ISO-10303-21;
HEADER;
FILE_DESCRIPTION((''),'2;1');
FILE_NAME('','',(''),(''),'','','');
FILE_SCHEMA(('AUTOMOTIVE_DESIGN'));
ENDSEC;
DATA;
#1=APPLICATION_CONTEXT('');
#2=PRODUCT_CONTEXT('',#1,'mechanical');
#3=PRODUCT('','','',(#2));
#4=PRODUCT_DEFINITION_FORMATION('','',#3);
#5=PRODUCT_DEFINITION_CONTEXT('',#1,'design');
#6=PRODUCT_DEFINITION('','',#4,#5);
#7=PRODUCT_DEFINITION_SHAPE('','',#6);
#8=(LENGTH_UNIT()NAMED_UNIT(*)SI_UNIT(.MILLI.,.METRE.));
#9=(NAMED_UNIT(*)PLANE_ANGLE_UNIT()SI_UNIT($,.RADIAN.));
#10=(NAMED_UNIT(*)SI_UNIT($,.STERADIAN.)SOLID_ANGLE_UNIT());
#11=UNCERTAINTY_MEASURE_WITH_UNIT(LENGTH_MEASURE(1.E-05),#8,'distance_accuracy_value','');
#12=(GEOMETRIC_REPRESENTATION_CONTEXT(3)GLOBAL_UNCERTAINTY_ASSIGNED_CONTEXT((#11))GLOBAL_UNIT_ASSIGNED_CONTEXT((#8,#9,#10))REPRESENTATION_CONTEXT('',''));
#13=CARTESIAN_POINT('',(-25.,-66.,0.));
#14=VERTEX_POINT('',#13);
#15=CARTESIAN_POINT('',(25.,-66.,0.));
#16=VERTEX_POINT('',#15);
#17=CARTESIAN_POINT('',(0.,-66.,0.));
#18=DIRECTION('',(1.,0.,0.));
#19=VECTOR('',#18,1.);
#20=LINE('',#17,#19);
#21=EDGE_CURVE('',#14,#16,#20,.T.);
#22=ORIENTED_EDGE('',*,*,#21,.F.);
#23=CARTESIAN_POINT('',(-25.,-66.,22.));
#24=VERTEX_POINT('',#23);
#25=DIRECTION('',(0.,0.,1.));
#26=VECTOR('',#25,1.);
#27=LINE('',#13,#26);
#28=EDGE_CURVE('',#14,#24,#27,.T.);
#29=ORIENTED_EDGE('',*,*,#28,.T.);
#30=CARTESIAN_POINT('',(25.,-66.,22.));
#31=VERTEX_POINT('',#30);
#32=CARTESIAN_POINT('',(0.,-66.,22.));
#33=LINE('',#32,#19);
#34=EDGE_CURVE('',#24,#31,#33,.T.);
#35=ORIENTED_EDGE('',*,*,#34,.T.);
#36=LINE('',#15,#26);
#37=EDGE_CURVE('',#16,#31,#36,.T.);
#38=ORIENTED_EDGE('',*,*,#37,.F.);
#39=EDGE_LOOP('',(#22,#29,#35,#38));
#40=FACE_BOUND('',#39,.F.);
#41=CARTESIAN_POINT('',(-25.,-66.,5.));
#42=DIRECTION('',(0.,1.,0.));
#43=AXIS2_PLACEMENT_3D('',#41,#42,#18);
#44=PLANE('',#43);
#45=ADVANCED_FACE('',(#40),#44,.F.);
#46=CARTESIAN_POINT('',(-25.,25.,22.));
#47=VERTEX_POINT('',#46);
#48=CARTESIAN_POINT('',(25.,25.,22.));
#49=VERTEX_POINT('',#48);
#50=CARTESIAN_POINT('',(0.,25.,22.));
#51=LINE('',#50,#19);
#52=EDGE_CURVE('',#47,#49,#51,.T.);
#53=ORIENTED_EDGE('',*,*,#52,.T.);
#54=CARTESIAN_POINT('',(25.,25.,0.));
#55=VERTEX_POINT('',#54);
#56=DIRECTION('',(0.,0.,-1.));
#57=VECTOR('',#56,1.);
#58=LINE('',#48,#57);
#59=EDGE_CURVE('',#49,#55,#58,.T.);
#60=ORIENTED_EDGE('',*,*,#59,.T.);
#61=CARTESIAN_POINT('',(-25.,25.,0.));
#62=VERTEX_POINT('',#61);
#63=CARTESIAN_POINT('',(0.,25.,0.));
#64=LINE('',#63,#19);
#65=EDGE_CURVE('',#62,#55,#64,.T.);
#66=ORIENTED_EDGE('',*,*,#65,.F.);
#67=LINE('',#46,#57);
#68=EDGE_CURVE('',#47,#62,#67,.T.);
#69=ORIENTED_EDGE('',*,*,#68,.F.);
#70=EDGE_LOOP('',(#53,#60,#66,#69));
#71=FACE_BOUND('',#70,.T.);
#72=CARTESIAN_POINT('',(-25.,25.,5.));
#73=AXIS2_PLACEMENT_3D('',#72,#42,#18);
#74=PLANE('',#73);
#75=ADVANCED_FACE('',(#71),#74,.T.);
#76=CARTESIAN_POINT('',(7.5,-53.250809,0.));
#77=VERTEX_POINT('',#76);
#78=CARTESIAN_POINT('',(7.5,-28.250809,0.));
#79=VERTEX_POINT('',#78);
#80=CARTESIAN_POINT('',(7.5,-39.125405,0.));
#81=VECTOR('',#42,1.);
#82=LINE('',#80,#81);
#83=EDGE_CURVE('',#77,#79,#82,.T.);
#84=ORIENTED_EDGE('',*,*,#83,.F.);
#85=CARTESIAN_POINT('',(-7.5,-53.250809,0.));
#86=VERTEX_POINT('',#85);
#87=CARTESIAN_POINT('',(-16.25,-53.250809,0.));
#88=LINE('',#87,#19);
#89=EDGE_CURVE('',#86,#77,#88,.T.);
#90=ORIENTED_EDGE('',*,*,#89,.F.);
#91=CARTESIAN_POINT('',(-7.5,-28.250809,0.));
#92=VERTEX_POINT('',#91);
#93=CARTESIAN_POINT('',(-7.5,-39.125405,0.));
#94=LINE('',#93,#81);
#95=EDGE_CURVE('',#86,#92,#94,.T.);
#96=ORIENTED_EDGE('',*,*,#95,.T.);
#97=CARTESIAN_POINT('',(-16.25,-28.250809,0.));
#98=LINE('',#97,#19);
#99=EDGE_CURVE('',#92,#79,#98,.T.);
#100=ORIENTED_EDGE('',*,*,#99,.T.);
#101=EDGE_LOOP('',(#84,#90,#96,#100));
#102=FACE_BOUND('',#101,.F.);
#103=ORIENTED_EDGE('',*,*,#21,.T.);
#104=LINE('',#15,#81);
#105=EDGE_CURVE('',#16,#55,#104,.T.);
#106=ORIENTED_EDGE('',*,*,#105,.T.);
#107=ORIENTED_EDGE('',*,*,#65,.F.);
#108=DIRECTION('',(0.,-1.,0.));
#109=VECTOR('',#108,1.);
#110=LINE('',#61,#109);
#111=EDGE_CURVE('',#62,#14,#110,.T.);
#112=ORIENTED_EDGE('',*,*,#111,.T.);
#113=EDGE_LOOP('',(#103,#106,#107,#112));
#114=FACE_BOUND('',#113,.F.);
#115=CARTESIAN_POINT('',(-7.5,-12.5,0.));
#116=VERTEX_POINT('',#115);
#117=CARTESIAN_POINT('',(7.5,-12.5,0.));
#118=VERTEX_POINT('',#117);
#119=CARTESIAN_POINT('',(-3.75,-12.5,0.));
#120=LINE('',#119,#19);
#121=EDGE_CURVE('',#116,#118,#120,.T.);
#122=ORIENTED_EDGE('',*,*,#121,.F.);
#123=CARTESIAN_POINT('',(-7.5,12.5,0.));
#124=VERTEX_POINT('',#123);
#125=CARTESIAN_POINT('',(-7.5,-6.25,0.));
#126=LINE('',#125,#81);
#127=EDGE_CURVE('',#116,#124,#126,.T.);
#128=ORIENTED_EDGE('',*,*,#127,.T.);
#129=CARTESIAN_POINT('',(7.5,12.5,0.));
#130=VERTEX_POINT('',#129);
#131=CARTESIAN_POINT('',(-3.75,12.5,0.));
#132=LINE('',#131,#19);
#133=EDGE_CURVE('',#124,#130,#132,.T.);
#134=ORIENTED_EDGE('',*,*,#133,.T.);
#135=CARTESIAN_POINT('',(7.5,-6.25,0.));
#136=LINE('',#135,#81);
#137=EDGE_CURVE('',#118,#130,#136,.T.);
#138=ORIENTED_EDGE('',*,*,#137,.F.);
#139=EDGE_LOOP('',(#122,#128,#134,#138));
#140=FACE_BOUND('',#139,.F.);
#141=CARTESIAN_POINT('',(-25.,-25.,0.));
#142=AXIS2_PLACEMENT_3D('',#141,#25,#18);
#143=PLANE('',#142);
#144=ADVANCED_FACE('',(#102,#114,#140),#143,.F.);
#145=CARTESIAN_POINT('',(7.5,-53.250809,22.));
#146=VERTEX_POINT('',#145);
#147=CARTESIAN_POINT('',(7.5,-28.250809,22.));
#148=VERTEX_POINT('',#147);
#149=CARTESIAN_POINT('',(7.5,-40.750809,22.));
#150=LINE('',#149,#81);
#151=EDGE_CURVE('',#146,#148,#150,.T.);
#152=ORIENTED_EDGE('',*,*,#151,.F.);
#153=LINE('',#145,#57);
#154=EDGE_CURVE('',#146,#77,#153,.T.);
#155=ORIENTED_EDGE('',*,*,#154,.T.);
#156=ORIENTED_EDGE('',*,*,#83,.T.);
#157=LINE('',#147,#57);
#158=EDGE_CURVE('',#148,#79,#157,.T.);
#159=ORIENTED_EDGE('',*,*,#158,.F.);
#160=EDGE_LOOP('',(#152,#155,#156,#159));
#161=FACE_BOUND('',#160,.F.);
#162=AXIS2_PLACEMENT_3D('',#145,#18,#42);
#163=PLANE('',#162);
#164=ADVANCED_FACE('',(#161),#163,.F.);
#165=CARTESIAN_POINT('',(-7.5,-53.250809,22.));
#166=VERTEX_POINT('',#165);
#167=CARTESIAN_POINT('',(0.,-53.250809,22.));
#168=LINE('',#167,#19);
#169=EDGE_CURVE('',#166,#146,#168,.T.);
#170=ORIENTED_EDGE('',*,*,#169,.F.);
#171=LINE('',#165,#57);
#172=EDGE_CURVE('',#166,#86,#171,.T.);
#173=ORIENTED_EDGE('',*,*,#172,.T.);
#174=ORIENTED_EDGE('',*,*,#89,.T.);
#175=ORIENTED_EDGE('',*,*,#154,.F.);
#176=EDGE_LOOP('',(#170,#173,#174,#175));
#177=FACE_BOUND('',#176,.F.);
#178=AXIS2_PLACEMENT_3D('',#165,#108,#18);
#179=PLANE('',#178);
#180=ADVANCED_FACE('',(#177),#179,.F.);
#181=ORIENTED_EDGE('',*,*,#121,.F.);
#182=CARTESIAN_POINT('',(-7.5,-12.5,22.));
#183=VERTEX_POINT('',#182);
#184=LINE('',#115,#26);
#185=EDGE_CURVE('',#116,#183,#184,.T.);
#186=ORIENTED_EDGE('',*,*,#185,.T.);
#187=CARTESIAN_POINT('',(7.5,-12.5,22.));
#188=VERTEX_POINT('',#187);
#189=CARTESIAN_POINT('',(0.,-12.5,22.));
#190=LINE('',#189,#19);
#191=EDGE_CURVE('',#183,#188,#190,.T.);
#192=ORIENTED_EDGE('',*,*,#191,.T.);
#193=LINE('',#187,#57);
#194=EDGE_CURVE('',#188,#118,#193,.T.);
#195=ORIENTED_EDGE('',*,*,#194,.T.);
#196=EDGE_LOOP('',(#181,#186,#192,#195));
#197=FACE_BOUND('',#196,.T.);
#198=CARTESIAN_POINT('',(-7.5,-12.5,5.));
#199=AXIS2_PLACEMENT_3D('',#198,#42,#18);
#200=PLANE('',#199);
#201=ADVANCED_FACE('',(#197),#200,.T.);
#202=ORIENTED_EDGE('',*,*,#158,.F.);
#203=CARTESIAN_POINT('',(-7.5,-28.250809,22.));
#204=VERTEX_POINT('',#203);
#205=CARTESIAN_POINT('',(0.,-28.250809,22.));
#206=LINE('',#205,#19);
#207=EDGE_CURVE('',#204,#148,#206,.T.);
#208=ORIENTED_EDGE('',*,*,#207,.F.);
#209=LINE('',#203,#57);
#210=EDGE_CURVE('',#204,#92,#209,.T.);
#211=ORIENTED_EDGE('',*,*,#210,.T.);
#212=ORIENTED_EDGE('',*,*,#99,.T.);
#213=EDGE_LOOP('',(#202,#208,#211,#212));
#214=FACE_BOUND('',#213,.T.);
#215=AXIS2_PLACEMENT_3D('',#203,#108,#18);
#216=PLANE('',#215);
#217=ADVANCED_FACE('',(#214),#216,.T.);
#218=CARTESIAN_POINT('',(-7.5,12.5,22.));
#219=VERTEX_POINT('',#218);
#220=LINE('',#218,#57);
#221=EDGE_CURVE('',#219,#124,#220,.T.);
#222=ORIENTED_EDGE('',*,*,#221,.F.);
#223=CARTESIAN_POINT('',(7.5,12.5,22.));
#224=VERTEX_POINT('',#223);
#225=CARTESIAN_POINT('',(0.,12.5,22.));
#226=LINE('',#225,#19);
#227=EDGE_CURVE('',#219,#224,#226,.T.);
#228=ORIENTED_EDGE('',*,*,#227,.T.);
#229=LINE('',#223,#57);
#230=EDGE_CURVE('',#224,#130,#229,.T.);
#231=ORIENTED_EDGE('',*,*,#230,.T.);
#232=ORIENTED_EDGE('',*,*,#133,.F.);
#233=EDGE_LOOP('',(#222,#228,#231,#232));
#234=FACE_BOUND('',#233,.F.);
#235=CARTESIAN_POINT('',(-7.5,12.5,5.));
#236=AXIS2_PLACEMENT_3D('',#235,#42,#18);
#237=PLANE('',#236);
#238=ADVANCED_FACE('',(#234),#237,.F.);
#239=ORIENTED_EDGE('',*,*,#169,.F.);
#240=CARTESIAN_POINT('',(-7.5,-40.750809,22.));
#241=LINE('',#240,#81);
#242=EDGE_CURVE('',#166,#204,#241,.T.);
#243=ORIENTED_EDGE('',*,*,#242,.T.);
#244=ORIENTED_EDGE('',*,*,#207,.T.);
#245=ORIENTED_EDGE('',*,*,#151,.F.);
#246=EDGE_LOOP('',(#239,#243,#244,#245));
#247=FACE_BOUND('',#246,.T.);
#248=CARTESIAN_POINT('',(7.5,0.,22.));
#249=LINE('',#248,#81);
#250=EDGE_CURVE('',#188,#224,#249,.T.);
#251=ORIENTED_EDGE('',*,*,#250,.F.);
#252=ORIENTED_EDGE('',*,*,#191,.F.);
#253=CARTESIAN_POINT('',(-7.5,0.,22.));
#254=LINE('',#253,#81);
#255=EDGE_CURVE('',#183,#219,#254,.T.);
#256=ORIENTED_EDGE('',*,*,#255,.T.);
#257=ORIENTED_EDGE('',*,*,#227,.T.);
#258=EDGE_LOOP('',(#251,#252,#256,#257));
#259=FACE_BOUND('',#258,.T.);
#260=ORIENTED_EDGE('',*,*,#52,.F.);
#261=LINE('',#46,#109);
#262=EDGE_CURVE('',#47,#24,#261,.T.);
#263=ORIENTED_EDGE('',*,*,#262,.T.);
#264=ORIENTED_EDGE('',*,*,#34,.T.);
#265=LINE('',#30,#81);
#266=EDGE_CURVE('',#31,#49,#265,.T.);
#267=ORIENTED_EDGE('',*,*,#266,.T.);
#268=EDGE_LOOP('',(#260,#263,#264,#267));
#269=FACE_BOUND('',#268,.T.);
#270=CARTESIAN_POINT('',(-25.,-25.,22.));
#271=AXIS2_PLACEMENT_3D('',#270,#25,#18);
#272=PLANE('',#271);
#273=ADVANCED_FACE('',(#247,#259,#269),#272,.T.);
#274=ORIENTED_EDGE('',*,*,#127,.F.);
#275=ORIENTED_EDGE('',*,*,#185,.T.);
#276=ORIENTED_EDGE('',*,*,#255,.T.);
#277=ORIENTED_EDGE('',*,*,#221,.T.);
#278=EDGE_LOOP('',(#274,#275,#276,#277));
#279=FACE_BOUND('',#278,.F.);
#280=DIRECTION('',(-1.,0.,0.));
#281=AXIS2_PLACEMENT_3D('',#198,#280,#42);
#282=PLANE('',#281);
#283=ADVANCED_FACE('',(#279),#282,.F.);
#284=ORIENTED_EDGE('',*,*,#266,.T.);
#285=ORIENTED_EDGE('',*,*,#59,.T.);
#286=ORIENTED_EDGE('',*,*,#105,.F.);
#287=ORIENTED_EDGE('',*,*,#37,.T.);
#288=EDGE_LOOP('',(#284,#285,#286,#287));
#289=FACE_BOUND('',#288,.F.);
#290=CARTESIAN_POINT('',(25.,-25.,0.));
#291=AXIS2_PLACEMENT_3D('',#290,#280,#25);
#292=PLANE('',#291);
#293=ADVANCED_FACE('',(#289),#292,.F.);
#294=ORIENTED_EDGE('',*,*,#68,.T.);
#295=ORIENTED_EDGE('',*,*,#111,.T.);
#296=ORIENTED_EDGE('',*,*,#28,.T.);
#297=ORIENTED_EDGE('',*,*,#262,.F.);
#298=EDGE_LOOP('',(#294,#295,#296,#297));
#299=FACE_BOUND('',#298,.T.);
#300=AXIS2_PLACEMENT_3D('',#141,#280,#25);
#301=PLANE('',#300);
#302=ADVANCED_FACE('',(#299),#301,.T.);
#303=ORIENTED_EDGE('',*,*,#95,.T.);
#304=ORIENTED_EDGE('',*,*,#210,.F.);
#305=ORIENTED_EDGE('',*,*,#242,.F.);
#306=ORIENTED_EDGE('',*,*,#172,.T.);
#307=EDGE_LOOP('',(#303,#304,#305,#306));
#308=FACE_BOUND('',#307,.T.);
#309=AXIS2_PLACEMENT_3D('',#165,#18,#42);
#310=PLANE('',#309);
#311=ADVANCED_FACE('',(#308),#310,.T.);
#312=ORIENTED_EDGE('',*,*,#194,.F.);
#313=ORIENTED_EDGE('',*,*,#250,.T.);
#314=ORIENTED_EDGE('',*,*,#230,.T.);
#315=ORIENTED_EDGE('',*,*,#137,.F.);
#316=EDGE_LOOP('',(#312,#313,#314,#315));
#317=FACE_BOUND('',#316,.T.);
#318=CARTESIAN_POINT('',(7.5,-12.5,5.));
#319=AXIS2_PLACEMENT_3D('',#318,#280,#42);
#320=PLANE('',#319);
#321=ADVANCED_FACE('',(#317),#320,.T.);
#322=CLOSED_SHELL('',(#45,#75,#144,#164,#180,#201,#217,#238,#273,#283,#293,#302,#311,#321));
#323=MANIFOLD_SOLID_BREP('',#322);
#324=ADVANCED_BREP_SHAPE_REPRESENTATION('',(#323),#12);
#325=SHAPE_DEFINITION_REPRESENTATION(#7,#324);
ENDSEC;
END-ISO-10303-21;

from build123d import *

# Parameters (mm, degrees)
F0_W     = 50
F0_H     = 50
F1_DEPTH = 5
F2_W     = 15
F2_H     = 25
F3_DEPTH = 169
F4_DEPTH = 17
F5_DEPTH = 41
F6_W     = 15
F6_H     = 25
F7_DEPTH = 141


with BuildPart() as f1:
    # F0 (on Top) → F1 (new body)
    with BuildSketch(Plane.XY):
        Rectangle(F0_W, F0_H)
    extrude(amount=F1_DEPTH)

    # F2 (on face) → F3 (cut)
    with BuildSketch(Plane.XY.offset(5)):
        Rectangle(F2_W, F2_H)
    extrude(amount=-F3_DEPTH, mode=Mode.SUBTRACT)

    # F4 (add): a face of the model
    f4_faces = [f1.faces().sort_by_distance(p)[0] for p in [
        (0, -24.2928932188, 5),
    ]]
    extrude(f4_faces, amount=F4_DEPTH)

    # F5 (add): a face of the model
    f5_faces = [f1.faces().sort_by_distance(p)[0] for p in [
        (0, -25, 11),
    ]]
    extrude(f5_faces, amount=F5_DEPTH)

    # F6 (on face) → F7 (cut)
    with BuildSketch(Plane.XY.offset(22)):
        with Locations((0, -40.7508090138)):
            Rectangle(F6_W, F6_H)
    extrude(amount=-F7_DEPTH, mode=Mode.SUBTRACT)


solid = f1.part
